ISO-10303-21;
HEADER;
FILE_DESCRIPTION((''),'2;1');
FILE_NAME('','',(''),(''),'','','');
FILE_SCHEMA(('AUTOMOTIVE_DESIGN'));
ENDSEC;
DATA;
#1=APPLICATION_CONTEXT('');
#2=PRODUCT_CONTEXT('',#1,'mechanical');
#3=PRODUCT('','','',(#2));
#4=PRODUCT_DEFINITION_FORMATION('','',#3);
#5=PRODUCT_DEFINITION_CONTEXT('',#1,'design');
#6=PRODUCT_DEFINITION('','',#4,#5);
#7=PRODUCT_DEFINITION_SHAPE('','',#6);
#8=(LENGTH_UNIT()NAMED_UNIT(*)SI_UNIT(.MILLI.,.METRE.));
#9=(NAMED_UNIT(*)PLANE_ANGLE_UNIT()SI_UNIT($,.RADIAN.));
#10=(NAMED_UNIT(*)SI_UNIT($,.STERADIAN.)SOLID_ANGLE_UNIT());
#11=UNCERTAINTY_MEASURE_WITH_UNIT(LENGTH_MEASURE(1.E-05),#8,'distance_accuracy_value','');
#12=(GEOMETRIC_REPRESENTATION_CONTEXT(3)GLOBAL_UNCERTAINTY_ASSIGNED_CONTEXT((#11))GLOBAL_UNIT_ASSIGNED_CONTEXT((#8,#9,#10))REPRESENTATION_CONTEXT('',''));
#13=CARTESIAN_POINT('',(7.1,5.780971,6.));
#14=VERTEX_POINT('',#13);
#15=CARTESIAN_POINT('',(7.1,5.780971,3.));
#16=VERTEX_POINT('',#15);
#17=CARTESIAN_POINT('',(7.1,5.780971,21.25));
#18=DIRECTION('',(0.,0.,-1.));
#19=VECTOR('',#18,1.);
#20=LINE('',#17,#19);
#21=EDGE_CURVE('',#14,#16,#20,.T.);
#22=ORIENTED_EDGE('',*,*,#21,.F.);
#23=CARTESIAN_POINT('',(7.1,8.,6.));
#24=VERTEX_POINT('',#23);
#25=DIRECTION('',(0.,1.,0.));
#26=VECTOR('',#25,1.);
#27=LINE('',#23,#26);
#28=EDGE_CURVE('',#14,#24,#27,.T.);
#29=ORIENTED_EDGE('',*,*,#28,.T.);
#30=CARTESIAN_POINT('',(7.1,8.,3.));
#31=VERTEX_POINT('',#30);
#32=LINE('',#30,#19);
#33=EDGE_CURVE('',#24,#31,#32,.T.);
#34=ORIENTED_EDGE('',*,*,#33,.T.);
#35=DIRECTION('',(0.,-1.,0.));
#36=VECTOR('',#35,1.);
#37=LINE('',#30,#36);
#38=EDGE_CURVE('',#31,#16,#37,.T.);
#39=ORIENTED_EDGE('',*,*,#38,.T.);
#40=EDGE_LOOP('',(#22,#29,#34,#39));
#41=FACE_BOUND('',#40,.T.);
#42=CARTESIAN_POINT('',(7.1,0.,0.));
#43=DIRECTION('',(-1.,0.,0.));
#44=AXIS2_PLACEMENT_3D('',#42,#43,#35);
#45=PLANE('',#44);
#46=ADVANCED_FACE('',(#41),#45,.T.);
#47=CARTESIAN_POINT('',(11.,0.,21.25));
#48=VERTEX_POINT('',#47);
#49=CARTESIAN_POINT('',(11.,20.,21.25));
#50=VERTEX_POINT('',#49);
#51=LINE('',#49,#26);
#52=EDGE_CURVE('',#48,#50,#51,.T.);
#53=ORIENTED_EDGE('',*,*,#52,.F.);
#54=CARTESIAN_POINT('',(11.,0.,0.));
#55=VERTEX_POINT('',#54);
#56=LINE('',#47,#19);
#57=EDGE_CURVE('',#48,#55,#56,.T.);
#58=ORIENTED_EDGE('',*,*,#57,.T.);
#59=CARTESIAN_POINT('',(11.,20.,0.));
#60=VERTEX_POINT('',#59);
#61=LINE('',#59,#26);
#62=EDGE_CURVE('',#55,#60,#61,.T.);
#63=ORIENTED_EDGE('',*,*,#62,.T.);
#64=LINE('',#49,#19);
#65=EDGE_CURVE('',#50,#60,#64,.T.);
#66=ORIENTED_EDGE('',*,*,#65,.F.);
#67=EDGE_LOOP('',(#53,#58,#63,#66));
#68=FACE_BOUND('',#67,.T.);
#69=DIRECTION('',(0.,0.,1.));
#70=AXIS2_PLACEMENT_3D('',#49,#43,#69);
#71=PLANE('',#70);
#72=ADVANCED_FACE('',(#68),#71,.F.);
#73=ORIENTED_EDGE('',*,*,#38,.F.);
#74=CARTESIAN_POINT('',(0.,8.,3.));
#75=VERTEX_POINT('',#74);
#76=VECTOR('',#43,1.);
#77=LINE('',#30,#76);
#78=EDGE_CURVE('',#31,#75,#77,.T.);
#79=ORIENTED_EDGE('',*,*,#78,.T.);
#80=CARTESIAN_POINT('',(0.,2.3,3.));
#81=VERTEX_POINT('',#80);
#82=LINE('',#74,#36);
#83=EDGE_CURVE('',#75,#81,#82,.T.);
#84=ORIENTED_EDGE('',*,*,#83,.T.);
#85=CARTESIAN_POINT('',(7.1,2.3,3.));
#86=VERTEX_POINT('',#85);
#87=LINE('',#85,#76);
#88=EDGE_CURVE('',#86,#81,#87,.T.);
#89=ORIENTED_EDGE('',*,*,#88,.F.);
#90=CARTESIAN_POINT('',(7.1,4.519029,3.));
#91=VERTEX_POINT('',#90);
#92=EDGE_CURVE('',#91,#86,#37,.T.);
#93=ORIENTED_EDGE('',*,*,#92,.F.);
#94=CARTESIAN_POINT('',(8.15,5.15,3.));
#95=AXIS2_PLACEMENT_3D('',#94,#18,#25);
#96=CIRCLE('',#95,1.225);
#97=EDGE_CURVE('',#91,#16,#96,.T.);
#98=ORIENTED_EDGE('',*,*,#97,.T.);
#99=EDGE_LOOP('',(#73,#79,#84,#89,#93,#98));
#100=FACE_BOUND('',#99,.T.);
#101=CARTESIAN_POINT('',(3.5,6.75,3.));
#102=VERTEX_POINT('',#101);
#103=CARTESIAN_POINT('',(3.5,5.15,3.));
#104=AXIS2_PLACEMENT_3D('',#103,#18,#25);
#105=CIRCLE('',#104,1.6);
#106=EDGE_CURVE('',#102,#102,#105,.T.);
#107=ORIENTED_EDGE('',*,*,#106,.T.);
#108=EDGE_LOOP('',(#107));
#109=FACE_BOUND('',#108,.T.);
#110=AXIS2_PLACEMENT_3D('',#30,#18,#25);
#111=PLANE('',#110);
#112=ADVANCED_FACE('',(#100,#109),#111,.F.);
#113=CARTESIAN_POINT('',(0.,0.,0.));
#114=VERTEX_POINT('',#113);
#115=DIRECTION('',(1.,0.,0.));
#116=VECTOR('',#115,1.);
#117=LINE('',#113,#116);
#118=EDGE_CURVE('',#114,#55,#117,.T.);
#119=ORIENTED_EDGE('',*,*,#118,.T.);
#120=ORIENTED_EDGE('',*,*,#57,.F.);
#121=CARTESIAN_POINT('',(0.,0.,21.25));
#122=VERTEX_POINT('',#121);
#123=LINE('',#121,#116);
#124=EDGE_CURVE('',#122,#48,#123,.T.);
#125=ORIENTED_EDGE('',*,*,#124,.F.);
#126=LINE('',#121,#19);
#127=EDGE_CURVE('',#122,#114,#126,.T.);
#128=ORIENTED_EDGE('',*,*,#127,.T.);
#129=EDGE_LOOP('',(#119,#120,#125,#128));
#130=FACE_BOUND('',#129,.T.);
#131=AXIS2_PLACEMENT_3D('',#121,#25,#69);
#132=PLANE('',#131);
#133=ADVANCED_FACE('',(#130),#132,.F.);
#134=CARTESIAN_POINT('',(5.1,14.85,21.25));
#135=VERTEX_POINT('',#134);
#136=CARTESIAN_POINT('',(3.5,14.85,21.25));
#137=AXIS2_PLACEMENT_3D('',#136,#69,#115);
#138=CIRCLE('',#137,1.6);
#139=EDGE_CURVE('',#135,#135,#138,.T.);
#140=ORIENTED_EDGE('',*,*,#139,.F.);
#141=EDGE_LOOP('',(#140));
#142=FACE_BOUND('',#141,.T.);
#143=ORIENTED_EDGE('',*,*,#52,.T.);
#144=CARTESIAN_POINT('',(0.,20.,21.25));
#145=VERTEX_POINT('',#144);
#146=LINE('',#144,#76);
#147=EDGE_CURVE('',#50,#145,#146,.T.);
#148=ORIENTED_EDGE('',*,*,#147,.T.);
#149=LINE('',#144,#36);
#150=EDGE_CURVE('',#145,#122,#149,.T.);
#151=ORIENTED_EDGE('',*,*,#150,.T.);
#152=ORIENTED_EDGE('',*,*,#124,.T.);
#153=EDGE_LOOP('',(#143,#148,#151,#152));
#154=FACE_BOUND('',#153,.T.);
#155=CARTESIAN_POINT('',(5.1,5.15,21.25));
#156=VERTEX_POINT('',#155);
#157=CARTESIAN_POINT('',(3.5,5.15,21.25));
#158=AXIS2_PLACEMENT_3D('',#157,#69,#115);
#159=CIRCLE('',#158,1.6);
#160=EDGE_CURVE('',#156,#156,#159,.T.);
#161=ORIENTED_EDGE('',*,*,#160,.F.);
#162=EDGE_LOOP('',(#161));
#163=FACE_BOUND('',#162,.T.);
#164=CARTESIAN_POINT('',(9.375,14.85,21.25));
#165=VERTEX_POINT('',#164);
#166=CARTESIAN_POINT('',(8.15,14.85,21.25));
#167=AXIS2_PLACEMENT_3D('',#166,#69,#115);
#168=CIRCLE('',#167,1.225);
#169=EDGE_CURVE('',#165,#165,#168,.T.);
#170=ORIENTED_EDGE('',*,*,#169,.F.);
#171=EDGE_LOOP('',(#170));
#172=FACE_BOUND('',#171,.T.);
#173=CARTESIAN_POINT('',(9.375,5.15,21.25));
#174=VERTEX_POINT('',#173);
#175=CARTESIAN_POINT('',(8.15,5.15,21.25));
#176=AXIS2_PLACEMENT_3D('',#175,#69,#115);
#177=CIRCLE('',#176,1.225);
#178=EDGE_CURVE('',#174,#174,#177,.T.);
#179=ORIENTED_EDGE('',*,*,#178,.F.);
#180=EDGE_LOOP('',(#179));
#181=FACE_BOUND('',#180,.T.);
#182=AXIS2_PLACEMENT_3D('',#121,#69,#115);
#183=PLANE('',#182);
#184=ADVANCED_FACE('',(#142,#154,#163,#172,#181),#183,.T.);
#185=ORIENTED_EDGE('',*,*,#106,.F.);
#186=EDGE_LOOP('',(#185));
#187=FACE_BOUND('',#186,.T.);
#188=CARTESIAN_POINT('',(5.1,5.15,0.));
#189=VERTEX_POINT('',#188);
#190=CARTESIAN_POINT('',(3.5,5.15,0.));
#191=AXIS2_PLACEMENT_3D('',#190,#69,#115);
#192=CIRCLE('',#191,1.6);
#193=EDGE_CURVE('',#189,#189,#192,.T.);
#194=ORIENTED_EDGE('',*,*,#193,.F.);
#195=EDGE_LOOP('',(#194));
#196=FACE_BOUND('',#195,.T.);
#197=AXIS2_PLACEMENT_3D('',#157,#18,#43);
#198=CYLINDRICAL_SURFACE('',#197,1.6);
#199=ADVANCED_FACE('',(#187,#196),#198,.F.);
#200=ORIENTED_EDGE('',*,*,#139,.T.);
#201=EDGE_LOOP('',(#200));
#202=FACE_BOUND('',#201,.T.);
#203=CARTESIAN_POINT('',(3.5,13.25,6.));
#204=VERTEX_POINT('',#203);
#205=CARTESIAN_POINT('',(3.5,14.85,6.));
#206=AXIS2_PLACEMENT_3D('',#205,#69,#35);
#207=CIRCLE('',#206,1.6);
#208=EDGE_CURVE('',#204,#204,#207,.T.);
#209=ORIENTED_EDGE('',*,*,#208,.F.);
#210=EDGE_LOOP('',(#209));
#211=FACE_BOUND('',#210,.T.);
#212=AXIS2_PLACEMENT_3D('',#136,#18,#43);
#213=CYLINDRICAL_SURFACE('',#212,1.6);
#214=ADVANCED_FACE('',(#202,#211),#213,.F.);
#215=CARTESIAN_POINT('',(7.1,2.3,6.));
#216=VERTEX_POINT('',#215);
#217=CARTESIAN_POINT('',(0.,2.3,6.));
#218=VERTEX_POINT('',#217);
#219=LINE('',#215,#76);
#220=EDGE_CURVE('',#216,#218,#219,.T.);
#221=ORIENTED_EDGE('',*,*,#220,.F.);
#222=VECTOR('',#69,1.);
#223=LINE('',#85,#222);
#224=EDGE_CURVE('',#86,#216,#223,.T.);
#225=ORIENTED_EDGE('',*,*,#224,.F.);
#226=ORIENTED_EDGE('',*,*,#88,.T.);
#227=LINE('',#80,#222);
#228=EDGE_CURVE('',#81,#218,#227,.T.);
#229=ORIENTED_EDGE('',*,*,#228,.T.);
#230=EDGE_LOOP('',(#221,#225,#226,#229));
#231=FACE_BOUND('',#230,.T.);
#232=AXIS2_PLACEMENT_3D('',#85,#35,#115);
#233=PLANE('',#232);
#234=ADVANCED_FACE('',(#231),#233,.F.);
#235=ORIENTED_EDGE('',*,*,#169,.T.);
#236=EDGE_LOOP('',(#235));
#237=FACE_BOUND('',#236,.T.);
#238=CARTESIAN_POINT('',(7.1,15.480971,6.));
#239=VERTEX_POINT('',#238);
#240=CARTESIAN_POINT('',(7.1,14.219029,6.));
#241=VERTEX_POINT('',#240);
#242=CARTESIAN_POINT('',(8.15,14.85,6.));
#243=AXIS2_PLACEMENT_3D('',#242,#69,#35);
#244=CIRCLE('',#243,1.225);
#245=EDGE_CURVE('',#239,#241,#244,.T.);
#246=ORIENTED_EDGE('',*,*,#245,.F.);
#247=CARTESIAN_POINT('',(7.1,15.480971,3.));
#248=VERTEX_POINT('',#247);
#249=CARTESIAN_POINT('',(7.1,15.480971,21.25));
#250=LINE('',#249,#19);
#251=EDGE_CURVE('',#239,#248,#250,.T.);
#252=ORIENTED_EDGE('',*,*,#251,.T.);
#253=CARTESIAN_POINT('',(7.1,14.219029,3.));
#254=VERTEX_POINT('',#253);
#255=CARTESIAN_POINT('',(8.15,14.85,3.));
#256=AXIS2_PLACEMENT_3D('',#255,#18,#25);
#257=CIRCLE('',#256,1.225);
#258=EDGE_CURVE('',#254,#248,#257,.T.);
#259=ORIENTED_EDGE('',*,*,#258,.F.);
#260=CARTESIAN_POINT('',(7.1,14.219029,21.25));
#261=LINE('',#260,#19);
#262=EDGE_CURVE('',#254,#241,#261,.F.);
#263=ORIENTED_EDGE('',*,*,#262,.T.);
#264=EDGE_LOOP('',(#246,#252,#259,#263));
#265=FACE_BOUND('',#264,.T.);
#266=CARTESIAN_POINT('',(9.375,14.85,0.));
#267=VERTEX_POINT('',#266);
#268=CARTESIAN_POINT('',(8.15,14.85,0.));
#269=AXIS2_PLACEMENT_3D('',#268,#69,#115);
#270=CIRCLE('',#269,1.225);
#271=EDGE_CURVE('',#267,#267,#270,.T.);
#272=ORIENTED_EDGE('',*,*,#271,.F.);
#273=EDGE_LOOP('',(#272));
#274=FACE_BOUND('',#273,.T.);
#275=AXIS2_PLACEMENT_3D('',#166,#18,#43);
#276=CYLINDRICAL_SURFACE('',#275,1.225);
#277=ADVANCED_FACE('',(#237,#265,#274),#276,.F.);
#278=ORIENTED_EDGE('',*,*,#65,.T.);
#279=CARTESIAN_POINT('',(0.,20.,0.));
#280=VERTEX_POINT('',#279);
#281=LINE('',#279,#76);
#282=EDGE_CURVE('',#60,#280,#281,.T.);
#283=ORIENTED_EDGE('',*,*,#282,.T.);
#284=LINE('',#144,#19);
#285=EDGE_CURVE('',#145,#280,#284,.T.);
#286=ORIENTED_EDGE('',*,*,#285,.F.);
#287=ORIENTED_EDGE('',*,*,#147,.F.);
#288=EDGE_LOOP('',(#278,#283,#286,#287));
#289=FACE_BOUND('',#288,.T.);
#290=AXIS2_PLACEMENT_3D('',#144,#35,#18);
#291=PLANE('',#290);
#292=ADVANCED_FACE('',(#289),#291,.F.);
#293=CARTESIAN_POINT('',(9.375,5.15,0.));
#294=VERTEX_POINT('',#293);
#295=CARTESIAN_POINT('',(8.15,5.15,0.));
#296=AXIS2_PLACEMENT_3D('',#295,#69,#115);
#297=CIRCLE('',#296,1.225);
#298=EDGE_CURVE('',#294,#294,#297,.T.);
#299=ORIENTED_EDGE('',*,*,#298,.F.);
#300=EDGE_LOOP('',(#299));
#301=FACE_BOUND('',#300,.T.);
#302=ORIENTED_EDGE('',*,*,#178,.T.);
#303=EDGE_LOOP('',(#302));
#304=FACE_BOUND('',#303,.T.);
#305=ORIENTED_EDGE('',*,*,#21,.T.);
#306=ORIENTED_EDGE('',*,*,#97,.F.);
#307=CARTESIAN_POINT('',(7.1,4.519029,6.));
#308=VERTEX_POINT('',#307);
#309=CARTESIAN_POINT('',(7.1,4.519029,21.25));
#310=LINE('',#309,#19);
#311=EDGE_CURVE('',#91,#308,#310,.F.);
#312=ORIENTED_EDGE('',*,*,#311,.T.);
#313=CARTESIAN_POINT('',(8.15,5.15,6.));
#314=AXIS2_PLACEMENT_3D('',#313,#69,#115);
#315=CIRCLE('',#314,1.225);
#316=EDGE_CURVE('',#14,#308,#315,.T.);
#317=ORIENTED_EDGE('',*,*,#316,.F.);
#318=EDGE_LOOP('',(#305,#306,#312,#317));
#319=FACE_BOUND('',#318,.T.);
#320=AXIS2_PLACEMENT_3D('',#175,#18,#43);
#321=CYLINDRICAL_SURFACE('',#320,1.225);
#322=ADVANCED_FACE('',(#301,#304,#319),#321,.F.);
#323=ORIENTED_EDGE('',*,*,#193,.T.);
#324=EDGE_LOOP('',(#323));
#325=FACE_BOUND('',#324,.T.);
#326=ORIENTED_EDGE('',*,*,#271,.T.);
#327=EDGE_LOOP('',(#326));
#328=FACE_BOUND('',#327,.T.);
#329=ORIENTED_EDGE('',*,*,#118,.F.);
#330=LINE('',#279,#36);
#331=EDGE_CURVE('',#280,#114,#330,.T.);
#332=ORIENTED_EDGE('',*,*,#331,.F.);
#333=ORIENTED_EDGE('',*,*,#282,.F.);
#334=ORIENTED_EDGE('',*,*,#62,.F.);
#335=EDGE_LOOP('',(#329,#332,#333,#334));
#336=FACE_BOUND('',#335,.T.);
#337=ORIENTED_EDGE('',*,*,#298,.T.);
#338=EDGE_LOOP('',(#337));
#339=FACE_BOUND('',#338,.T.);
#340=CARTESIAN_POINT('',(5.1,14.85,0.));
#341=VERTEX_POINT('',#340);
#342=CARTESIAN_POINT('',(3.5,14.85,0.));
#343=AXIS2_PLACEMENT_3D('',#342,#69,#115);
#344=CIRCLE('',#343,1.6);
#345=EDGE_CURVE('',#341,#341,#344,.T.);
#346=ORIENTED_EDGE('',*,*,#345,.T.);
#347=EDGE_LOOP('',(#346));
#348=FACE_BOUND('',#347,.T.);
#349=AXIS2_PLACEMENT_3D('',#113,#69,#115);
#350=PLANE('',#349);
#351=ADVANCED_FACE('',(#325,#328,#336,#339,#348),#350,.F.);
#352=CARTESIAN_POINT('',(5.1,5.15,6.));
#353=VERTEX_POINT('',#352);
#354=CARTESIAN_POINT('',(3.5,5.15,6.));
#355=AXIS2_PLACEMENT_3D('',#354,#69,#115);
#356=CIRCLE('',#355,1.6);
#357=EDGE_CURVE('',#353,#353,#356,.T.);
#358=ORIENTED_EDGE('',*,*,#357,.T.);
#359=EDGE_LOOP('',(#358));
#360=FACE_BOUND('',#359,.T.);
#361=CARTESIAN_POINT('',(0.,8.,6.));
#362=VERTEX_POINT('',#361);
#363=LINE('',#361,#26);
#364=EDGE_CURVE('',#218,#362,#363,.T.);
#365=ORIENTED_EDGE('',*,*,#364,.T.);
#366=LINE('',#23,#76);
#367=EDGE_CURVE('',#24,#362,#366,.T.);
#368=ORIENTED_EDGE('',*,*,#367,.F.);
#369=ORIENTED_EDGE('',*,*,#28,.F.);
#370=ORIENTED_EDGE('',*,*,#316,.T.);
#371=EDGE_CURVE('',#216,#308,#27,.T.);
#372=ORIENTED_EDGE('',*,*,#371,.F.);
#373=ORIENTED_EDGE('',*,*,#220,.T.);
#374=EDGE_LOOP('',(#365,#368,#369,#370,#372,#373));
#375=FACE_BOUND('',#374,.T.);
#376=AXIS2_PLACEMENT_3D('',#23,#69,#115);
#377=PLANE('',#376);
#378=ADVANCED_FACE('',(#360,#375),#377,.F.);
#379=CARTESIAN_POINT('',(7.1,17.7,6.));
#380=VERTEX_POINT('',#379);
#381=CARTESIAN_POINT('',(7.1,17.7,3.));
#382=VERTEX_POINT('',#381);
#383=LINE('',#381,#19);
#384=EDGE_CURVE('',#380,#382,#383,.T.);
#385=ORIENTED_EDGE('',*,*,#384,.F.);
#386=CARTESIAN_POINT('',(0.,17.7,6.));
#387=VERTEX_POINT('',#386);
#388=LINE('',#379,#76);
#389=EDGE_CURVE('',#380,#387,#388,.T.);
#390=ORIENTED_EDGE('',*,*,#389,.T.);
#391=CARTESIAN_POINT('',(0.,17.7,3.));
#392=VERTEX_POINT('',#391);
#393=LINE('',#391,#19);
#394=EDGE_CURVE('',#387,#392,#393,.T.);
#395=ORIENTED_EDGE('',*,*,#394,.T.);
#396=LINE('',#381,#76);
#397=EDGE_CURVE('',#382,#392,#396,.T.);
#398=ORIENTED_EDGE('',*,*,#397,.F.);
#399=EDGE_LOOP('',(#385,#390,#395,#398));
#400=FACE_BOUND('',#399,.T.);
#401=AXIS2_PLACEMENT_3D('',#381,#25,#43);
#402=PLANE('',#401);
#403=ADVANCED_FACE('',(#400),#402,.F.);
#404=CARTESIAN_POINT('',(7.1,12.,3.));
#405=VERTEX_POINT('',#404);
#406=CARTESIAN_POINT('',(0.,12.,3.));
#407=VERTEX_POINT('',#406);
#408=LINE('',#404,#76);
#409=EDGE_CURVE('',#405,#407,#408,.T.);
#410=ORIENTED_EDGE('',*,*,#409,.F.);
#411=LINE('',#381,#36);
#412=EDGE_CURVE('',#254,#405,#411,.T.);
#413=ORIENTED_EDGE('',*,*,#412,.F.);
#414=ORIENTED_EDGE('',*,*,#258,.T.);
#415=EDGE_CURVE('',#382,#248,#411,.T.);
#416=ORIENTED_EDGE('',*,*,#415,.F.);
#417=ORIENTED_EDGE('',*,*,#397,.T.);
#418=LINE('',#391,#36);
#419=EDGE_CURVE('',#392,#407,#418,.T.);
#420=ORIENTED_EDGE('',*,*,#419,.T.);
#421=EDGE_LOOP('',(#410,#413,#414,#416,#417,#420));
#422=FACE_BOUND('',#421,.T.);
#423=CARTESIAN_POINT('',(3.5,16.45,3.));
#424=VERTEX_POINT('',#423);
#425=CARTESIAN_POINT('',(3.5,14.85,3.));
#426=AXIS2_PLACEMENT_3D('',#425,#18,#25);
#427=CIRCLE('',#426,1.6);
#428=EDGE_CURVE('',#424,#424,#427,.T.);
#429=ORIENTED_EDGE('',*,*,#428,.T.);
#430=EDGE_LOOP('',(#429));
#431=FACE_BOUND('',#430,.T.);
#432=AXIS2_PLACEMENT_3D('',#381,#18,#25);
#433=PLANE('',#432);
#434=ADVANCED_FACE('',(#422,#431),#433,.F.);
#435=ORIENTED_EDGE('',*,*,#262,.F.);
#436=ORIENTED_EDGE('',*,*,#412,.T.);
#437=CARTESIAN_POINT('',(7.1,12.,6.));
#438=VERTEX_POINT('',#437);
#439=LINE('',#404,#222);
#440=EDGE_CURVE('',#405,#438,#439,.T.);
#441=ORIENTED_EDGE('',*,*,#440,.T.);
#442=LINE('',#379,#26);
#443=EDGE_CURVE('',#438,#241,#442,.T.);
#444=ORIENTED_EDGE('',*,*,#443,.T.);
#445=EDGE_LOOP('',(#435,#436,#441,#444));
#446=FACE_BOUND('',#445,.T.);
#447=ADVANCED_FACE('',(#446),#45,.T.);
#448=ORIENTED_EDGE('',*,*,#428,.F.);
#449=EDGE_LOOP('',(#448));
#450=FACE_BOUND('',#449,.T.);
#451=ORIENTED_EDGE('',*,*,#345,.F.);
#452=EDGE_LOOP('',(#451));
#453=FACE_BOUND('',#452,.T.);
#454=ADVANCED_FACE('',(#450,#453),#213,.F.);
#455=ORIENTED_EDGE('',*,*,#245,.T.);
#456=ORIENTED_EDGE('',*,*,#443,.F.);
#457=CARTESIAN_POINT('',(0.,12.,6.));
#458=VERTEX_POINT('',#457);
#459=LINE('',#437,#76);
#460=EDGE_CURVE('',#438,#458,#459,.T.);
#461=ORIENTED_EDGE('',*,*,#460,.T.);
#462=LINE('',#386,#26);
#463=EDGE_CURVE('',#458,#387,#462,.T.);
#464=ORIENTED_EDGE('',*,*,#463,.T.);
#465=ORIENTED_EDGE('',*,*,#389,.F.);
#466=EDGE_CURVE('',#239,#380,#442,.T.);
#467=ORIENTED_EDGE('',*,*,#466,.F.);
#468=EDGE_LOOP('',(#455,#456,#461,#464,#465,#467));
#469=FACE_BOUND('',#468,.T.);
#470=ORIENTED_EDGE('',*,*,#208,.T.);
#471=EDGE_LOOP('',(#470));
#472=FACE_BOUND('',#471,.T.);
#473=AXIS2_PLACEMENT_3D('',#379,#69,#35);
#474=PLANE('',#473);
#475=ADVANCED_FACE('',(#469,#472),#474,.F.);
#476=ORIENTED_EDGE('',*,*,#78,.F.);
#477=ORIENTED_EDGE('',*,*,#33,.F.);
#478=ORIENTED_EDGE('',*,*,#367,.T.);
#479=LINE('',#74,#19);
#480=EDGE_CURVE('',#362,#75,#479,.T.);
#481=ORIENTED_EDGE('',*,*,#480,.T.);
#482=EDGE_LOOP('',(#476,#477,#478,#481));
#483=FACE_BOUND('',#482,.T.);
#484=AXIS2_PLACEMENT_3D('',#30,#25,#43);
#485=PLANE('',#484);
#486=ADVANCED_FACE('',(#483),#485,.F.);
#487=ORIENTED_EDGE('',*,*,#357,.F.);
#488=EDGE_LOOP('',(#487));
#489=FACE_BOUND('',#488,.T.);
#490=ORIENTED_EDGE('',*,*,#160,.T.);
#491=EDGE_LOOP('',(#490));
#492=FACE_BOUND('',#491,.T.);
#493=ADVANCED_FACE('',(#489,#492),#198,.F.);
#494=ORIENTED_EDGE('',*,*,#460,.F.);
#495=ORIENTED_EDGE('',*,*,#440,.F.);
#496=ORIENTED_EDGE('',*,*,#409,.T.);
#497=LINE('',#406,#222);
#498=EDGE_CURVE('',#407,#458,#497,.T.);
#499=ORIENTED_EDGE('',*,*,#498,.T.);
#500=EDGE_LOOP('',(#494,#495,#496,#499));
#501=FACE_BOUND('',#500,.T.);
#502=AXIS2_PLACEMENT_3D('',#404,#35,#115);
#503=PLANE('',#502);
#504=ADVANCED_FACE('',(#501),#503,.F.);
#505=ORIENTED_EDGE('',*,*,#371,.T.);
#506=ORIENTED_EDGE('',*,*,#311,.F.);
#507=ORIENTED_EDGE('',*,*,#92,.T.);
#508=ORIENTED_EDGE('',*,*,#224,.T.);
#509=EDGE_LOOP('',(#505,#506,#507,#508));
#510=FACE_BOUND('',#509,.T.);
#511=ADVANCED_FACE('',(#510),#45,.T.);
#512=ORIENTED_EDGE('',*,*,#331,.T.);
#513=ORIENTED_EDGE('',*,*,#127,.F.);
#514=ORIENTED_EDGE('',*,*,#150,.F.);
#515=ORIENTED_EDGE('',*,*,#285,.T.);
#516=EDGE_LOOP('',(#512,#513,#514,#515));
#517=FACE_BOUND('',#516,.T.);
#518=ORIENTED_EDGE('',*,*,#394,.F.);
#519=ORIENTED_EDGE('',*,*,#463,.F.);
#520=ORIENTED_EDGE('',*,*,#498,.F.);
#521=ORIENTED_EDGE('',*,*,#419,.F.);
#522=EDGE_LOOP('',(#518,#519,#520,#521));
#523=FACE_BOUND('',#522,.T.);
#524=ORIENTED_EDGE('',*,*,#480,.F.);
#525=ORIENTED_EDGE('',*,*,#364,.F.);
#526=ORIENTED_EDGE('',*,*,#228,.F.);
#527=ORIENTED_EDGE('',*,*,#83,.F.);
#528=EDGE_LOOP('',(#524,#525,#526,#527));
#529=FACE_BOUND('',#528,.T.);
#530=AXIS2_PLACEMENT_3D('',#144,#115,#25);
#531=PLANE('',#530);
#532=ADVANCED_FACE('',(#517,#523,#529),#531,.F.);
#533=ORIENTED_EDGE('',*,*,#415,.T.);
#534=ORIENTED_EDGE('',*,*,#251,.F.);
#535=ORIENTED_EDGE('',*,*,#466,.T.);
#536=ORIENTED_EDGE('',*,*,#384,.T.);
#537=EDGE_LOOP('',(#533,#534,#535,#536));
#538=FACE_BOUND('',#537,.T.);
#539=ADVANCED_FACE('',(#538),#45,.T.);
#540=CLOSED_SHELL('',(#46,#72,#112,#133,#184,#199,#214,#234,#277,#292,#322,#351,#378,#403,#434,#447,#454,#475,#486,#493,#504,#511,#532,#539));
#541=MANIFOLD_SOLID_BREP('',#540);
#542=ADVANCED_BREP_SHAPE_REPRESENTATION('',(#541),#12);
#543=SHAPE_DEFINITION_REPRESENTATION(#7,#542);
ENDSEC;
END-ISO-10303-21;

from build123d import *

# Parameters (mm, degrees)
SKETCH_3_W          = 11
SKETCH_3_H          = 20
SKETCH_3_R          = 1.6
SKETCH_3_R_2        = 1.225
EXTRUDE_1_DEPTH     = 21.25
SKETCH_4_W          = 3
SKETCH_4_H          = 5.7
CUT_EXTRUDE_1_DEPTH = 7.1


with BuildPart() as part:
    # 草图3 → 凸台-拉伸1 (new body)
    with BuildSketch(Plane.XY):
        with Locations((5.5, 10)):
            Rectangle(SKETCH_3_W, SKETCH_3_H)
        with Locations((3.5, 14.85)):
            Circle(SKETCH_3_R, mode=Mode.SUBTRACT)
        with Locations((3.5, 5.15)):
            Circle(SKETCH_3_R, mode=Mode.SUBTRACT)
        with Locations((8.15, 14.85)):
            Circle(SKETCH_3_R_2, mode=Mode.SUBTRACT)
        with Locations((8.15, 5.15)):
            Circle(SKETCH_3_R_2, mode=Mode.SUBTRACT)
    extrude(amount=EXTRUDE_1_DEPTH)

    # 草图4 → 切除-拉伸1 (cut)
    with BuildSketch(Plane.ZY):
        with Locations((4.5, 14.85)):
            Rectangle(SKETCH_4_W, SKETCH_4_H)
        with Locations((4.5, 5.15)):
            Rectangle(SKETCH_4_W, SKETCH_4_H)
    extrude(amount=-CUT_EXTRUDE_1_DEPTH, mode=Mode.SUBTRACT)


solid = part.part
